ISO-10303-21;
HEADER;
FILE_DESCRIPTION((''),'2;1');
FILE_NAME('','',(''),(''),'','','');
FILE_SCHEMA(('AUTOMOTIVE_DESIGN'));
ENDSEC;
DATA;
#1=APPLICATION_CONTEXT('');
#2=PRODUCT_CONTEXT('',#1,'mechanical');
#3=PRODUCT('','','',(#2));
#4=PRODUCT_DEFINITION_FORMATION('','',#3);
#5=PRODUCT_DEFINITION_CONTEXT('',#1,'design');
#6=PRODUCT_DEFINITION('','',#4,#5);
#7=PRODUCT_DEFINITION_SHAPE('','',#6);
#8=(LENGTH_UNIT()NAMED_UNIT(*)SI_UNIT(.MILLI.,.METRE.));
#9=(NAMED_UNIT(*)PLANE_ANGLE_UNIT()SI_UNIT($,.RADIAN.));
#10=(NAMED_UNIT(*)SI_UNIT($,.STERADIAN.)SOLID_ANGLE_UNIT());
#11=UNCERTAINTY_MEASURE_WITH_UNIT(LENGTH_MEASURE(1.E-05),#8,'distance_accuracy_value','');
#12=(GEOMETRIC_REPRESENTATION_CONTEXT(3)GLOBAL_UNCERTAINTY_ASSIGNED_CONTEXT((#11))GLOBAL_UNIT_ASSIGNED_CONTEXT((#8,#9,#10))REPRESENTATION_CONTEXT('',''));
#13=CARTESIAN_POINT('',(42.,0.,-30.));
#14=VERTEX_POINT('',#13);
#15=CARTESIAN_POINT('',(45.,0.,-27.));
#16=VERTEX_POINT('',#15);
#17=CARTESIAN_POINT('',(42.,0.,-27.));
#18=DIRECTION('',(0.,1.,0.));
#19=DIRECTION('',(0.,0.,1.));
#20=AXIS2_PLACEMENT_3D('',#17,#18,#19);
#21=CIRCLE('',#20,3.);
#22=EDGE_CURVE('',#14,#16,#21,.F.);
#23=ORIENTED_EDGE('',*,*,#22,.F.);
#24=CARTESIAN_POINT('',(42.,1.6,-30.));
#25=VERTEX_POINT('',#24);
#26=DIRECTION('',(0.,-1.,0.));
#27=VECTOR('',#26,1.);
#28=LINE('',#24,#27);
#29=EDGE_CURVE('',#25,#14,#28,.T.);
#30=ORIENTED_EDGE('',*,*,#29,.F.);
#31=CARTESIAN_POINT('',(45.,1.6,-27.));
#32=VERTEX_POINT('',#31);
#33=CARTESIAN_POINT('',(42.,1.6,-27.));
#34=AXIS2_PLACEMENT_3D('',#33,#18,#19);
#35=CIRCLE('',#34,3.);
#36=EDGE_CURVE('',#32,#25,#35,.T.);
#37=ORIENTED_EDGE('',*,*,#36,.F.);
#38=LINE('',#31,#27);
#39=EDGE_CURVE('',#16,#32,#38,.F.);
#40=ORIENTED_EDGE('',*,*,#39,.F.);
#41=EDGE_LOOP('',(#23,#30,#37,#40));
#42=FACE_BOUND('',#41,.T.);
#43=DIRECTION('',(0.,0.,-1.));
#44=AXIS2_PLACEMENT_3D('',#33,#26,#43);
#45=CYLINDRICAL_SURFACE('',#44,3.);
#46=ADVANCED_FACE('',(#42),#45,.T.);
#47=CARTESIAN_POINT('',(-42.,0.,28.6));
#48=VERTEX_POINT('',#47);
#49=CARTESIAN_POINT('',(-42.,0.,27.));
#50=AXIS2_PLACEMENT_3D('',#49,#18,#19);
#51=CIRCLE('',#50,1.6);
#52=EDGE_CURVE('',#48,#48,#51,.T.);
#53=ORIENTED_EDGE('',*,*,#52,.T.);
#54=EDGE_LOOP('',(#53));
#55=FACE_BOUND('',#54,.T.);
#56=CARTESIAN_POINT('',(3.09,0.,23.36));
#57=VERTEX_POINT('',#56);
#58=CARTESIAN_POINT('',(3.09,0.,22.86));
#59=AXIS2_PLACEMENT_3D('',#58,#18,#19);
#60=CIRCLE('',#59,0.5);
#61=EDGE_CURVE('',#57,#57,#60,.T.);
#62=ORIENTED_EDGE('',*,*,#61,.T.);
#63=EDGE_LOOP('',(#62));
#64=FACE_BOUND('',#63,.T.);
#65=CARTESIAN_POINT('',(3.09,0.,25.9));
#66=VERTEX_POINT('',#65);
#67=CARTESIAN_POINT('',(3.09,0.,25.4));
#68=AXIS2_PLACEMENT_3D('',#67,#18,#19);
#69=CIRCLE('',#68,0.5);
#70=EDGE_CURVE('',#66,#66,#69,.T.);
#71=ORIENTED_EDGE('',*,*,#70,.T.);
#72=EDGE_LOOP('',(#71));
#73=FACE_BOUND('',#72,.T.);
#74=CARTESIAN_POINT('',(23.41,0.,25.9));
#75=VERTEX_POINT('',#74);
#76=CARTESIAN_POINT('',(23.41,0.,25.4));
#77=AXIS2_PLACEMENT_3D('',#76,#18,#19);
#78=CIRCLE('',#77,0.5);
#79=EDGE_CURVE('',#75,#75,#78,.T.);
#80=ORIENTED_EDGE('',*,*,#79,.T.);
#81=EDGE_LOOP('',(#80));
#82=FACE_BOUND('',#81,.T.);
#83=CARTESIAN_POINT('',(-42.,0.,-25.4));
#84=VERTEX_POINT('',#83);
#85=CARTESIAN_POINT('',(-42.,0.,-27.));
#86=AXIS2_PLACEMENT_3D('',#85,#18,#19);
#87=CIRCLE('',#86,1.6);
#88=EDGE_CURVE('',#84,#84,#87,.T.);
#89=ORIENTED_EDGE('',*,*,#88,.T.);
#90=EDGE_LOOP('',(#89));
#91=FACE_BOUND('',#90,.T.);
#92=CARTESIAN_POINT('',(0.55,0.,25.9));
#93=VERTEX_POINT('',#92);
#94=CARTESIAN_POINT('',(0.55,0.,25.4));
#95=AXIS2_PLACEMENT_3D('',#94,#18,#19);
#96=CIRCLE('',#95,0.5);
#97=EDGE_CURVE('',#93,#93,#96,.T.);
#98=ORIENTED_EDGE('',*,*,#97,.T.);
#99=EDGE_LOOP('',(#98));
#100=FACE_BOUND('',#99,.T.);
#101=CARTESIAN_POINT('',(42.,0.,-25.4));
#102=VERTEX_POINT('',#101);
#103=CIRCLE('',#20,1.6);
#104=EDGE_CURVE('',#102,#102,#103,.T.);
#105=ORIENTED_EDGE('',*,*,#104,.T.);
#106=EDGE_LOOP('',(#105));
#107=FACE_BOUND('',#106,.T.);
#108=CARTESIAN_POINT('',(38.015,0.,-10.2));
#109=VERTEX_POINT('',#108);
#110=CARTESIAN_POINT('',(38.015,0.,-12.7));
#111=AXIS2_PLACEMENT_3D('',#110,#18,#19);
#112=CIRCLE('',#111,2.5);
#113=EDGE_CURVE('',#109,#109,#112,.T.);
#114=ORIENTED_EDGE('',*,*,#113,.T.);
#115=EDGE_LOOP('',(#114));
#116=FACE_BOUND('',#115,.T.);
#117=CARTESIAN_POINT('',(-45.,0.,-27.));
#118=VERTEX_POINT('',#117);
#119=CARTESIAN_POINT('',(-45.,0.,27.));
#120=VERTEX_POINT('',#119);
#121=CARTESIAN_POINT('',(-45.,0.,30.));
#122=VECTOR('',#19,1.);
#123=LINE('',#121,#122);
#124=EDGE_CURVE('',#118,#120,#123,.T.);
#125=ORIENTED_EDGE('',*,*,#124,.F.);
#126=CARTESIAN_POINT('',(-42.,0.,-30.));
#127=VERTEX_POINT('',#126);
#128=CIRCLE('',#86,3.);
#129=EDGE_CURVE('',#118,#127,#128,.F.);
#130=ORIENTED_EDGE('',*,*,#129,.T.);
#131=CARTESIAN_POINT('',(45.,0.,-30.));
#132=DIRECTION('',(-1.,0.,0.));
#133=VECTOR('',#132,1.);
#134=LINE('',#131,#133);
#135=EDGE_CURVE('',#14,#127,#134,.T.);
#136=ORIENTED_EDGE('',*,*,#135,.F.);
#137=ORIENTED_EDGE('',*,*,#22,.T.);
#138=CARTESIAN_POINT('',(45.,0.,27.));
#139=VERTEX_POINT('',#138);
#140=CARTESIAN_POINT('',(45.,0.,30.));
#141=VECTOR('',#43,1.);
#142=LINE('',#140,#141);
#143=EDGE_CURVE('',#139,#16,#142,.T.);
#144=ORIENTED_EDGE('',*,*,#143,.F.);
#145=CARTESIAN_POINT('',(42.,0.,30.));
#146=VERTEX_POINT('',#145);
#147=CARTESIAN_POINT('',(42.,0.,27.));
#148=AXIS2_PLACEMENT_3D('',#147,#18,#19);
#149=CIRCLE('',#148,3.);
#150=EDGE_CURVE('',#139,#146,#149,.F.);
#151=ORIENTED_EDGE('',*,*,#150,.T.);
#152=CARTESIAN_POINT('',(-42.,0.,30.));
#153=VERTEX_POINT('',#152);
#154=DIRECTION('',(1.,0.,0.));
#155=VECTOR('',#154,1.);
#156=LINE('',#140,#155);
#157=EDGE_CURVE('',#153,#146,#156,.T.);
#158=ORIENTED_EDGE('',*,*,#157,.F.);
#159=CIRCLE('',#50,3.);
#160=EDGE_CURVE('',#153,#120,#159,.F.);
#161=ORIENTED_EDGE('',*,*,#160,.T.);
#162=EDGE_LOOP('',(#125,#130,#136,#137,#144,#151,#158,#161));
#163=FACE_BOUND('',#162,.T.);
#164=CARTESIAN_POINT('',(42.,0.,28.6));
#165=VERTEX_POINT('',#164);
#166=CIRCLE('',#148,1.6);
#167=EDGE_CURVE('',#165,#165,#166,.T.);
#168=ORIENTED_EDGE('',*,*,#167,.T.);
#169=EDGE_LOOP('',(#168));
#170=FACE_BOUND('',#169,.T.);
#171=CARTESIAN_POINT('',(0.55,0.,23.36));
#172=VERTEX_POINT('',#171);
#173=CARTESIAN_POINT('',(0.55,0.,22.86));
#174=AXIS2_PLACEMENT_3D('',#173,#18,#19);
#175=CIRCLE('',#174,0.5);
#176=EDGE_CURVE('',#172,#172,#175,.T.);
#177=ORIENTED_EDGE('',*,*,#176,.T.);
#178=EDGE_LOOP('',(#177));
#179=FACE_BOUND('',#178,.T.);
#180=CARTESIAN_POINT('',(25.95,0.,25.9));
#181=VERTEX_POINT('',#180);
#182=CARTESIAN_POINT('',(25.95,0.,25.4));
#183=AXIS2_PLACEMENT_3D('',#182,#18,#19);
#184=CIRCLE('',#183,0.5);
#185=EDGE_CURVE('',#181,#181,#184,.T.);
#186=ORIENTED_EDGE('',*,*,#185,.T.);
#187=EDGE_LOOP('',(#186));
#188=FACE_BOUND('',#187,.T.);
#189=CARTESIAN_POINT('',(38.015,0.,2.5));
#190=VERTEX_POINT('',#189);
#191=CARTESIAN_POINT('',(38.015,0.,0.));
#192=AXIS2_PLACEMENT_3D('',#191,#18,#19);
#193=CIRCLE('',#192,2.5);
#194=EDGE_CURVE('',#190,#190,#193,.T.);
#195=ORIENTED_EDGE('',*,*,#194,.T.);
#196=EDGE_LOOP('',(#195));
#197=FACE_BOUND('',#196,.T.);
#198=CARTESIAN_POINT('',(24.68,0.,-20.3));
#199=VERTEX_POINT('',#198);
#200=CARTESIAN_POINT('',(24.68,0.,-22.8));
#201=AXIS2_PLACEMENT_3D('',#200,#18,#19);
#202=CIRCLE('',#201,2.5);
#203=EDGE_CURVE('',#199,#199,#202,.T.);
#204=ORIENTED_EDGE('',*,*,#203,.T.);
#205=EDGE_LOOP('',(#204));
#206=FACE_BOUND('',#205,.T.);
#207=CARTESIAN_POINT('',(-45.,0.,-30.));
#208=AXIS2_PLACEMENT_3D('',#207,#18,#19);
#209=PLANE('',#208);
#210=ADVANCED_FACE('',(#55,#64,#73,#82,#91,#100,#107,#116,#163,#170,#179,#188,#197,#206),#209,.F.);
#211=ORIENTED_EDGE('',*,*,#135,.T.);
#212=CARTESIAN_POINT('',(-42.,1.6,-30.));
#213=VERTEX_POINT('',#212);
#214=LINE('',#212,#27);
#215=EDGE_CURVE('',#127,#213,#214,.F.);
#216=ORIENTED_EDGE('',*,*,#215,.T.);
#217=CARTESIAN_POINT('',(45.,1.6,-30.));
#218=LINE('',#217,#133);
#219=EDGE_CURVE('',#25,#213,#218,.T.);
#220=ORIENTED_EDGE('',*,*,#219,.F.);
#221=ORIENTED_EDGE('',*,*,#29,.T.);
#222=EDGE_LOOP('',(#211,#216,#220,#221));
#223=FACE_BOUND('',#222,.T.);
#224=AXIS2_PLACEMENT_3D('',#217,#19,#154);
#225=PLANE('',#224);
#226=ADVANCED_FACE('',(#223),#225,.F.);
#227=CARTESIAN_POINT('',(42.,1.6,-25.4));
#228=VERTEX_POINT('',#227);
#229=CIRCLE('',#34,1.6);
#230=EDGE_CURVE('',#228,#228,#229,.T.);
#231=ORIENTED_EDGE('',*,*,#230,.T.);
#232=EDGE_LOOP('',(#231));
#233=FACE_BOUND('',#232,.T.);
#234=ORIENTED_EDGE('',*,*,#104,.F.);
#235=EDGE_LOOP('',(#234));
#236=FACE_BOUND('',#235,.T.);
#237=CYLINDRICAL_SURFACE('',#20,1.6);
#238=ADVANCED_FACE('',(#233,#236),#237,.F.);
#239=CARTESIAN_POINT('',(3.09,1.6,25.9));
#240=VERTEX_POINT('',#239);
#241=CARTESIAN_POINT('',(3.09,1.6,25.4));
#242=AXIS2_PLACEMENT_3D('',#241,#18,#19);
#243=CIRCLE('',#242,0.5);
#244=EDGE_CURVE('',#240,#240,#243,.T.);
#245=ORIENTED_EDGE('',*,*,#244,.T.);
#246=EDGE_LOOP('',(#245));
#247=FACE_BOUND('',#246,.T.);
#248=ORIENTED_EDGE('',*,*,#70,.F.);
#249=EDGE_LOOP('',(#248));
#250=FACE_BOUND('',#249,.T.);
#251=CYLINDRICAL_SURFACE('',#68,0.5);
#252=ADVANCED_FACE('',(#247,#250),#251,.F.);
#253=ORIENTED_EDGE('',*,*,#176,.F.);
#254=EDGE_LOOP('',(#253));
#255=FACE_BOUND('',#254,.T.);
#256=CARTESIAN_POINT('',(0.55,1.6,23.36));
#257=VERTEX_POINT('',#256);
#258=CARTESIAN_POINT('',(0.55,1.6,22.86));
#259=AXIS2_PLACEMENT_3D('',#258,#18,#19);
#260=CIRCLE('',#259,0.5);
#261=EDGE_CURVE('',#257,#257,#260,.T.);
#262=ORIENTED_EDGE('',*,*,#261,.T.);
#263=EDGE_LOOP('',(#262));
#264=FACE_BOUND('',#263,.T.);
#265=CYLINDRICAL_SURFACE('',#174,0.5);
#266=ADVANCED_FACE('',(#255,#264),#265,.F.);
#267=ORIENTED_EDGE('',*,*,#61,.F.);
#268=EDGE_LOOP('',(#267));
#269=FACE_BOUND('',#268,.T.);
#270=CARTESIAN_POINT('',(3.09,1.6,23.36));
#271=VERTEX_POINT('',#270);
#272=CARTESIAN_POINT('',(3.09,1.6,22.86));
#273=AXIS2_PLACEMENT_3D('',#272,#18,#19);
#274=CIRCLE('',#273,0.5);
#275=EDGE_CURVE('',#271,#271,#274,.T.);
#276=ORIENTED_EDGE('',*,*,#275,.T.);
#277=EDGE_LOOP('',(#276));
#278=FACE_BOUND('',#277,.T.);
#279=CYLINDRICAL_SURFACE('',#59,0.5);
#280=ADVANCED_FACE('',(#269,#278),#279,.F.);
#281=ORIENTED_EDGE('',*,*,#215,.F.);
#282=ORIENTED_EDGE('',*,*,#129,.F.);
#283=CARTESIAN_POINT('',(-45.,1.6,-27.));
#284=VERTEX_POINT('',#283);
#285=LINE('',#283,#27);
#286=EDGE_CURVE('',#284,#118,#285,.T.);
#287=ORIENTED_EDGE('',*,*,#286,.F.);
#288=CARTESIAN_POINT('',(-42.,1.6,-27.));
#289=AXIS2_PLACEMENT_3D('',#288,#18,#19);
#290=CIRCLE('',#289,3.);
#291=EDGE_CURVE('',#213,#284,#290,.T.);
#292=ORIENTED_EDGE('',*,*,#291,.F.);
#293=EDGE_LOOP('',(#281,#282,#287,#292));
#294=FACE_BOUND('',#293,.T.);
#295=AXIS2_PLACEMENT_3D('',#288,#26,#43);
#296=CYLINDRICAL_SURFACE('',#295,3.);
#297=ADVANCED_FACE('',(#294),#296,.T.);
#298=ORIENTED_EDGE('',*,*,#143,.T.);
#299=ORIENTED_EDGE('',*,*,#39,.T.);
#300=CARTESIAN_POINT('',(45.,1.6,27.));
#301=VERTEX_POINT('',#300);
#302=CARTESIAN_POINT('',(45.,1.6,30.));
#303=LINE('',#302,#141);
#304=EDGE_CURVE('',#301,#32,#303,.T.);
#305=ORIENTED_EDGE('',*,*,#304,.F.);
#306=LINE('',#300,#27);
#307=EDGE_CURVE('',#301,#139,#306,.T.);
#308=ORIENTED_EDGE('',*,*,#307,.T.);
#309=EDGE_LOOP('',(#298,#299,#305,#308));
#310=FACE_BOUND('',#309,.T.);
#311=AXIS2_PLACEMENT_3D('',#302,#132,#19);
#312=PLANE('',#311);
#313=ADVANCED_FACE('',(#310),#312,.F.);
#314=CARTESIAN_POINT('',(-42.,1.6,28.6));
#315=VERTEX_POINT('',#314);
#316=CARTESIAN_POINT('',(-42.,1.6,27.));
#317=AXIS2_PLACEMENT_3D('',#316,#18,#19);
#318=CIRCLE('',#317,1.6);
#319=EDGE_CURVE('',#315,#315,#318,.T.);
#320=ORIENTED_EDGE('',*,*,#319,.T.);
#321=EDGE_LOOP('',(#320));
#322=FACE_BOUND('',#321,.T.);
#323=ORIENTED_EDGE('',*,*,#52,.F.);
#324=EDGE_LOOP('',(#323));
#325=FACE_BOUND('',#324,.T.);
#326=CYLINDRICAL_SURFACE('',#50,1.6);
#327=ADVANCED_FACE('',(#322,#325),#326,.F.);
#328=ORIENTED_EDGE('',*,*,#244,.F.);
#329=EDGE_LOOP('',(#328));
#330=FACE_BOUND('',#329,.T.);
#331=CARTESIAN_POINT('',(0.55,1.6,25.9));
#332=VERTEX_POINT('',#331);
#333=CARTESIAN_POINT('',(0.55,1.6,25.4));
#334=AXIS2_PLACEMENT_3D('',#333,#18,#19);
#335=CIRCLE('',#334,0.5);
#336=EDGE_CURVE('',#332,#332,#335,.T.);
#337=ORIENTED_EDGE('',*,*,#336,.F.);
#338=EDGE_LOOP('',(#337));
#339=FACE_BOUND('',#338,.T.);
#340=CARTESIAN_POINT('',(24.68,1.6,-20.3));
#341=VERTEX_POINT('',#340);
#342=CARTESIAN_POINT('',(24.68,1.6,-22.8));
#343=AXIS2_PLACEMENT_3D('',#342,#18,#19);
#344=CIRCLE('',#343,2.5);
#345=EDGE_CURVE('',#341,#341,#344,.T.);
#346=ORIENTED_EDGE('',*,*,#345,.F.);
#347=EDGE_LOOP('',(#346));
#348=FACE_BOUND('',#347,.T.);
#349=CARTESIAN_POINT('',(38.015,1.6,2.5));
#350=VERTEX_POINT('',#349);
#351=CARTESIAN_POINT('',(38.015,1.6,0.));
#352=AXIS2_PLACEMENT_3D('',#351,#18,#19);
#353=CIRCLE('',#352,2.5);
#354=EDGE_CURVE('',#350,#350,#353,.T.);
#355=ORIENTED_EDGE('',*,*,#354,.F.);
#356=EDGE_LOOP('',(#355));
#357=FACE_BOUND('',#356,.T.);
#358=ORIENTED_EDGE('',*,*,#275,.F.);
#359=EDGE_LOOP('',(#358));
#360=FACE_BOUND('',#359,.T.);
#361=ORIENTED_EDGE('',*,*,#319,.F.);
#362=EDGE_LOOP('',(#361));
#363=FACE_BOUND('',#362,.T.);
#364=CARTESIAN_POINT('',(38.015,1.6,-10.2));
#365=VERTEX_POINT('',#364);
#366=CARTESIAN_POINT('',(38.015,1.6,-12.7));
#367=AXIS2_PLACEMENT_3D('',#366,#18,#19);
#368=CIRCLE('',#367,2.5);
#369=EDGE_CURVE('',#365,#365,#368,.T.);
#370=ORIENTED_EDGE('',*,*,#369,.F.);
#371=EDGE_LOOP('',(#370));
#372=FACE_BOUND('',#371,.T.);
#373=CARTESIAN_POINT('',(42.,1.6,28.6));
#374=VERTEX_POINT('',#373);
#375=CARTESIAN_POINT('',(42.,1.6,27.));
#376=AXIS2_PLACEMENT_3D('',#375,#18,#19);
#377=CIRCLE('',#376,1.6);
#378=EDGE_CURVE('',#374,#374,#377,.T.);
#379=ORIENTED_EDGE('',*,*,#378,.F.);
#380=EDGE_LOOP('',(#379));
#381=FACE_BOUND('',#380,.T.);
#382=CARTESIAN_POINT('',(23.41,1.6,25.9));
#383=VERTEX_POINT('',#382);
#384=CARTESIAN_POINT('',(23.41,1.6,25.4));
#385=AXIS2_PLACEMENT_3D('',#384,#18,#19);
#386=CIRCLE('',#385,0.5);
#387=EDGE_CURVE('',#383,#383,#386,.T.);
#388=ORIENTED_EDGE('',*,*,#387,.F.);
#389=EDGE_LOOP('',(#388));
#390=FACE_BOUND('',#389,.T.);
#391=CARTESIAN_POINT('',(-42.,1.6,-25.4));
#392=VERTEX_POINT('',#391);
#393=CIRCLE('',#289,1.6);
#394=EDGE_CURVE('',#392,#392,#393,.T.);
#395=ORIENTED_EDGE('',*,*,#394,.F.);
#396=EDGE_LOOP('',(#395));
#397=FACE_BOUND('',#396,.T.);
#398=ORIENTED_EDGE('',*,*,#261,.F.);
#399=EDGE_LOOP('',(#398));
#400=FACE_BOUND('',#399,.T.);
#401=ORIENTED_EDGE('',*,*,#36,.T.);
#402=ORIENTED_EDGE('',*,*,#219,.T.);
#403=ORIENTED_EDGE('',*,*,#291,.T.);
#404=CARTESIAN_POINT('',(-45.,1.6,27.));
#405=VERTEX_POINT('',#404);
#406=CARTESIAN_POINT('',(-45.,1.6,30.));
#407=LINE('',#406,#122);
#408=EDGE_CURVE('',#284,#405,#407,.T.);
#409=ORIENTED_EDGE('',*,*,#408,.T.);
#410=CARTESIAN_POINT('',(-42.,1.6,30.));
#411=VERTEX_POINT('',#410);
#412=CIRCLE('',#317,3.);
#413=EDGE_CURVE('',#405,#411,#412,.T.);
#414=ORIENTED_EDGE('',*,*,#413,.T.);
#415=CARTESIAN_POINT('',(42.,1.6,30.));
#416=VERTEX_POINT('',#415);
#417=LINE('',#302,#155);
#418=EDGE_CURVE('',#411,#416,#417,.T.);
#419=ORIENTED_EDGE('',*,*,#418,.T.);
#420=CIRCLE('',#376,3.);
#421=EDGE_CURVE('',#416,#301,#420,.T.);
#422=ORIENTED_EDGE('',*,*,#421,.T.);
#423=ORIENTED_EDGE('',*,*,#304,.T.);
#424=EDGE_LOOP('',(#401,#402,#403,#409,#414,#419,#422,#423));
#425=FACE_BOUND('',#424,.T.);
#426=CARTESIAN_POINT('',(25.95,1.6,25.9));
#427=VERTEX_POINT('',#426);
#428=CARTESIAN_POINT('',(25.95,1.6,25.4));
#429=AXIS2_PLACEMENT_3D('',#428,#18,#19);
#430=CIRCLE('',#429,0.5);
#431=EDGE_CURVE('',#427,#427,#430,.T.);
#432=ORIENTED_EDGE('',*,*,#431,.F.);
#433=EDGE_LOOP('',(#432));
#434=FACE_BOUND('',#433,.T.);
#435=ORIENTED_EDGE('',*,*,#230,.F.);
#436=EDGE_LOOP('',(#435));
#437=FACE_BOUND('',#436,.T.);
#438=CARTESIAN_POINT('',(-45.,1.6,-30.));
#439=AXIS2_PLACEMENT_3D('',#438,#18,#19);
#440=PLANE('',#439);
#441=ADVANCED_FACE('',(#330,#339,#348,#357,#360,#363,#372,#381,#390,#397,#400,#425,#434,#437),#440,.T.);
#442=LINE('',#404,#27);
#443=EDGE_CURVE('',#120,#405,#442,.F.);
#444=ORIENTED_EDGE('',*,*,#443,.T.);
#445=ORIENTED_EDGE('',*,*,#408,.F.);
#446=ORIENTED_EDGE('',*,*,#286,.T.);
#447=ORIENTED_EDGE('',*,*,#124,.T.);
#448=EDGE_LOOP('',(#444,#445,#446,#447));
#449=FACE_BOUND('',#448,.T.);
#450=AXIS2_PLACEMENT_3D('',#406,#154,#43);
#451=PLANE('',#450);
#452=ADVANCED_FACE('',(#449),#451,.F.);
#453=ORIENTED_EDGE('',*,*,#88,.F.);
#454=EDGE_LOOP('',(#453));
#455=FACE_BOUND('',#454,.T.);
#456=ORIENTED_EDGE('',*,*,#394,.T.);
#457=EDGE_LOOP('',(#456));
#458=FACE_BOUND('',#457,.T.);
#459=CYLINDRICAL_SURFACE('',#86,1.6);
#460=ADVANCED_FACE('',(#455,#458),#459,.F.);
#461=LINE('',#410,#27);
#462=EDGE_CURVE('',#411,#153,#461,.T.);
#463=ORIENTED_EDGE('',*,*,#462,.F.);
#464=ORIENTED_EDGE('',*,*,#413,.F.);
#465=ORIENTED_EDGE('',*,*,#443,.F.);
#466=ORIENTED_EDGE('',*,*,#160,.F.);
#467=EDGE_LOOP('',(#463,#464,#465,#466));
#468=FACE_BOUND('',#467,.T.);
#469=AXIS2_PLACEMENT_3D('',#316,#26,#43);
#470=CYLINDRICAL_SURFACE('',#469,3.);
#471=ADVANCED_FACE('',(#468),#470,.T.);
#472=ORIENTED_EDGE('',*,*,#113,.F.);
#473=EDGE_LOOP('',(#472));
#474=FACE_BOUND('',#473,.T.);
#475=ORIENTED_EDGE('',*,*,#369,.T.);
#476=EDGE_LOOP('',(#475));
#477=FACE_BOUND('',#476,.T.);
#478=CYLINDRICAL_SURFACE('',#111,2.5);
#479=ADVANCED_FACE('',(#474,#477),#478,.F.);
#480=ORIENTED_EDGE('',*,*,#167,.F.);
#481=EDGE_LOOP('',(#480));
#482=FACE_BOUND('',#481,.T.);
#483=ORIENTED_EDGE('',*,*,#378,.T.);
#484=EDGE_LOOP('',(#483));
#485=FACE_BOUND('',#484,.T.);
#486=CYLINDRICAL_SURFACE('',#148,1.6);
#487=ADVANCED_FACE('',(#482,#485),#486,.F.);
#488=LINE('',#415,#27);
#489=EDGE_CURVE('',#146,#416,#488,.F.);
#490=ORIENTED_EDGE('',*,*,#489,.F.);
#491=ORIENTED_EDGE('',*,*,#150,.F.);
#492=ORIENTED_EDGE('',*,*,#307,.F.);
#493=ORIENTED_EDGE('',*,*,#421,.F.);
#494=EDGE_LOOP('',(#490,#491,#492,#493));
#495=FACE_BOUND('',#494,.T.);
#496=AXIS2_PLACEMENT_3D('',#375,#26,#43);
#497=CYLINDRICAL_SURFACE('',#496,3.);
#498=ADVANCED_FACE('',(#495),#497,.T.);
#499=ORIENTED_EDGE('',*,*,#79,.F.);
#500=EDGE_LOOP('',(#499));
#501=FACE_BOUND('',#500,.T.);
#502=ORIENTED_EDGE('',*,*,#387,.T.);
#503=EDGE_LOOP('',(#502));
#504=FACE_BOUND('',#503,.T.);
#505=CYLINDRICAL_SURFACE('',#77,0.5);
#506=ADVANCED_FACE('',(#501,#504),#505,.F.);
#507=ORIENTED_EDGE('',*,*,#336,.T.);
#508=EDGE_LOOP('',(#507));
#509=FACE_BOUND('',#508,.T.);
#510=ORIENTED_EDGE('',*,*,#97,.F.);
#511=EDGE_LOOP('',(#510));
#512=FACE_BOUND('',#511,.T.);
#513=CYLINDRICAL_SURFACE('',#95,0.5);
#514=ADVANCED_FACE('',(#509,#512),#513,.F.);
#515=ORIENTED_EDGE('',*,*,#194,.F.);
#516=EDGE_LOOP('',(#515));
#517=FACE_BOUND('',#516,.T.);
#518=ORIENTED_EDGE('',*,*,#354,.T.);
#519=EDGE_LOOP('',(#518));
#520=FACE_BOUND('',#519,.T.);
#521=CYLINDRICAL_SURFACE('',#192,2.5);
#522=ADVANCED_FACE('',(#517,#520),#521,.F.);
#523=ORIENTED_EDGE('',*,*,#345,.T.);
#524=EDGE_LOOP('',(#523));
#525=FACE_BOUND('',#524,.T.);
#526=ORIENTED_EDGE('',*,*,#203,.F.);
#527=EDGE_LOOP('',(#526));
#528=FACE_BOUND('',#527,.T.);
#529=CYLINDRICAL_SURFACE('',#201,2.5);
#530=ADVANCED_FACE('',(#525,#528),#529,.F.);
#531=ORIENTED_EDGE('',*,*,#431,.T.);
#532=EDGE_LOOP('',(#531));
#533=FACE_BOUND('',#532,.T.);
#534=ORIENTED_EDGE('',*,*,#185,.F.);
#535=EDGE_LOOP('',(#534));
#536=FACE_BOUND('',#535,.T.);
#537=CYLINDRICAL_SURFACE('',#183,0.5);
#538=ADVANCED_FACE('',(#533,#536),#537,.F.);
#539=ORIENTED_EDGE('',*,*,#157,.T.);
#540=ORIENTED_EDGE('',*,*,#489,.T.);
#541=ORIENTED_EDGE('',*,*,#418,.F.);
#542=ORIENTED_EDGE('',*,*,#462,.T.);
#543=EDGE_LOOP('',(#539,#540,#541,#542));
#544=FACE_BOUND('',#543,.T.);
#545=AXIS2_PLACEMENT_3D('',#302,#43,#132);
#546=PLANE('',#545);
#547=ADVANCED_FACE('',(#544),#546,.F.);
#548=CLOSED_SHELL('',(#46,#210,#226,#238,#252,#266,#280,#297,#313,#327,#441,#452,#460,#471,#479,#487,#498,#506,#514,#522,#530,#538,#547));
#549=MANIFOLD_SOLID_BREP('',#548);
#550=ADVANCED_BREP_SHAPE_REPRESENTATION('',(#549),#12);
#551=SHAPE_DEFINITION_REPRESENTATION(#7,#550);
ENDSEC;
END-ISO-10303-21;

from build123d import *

# Parameters (mm, degrees)
SKETCH1_W           = 90
SKETCH1_H           = 60
BOSS_EXTRUDE1_DEPTH = 1.6
SKETCH2_R           = 1.6
CUT_EXTRUDE1_DEPTH  = 1.6
FILLET1_R           = 3
SKETCH3_R           = 0.5
SKETCH3_R_2         = 2.5
CUT_EXTRUDE2_DEPTH  = 1.6


with BuildPart() as part:
    # Sketch1 → Boss-Extrude1 (new body)
    with BuildSketch(Plane(origin=(0, 0, 0), x_dir=(1, 0, 0), z_dir=(0, 1, 0))):
        Rectangle(SKETCH1_W, SKETCH1_H)
    extrude(amount=BOSS_EXTRUDE1_DEPTH)

    # Sketch2 → Cut-Extrude1 (cut)
    with BuildSketch(Plane(origin=(0, 1.6, 0), x_dir=(-1, 0, 0), z_dir=(0, 1, 0))):
        with Locations((42, -27)):
            Circle(SKETCH2_R)
        with Locations((42, 27)):
            Circle(SKETCH2_R)
        with Locations((-42, 27)):
            Circle(SKETCH2_R)
        with Locations((-42, -27)):
            Circle(SKETCH2_R)
    extrude(amount=-CUT_EXTRUDE1_DEPTH, mode=Mode.SUBTRACT)

    # Fillet1
    fillet1_edges = [part.edges().sort_by_distance(p)[0] for p in [
        (-45, 0.8, -30),
        (45, 0.8, -30),
        (45, 0.8, 30),
        (-45, 0.8, 30),
    ]]
    fillet(fillet1_edges, radius=FILLET1_R)

    # Sketch3 → Cut-Extrude2 (cut)
    with BuildSketch(Plane(origin=(0, 1.6, 0), x_dir=(-1, 0, 0), z_dir=(0, 1, 0))):
        with Locations((-0.55, 25.4)):
            Circle(SKETCH3_R)
        with Locations((-0.55, 22.86)):
            Circle(SKETCH3_R)
        with Locations((-3.09, 25.4)):
            Circle(SKETCH3_R)
        with Locations((-3.09, 22.86)):
            Circle(SKETCH3_R)
        with Locations((-23.41, 25.4)):
            Circle(SKETCH3_R)
        with Locations((-25.95, 25.4)):
            Circle(SKETCH3_R)
        with Locations((-38.015, 0)):
            Circle(SKETCH3_R_2)
        with Locations((-38.015, -12.7)):
            Circle(SKETCH3_R_2)
        with Locations((-24.68, -22.8)):
            Circle(SKETCH3_R_2)
    extrude(amount=-CUT_EXTRUDE2_DEPTH, mode=Mode.SUBTRACT)


solid = part.part
